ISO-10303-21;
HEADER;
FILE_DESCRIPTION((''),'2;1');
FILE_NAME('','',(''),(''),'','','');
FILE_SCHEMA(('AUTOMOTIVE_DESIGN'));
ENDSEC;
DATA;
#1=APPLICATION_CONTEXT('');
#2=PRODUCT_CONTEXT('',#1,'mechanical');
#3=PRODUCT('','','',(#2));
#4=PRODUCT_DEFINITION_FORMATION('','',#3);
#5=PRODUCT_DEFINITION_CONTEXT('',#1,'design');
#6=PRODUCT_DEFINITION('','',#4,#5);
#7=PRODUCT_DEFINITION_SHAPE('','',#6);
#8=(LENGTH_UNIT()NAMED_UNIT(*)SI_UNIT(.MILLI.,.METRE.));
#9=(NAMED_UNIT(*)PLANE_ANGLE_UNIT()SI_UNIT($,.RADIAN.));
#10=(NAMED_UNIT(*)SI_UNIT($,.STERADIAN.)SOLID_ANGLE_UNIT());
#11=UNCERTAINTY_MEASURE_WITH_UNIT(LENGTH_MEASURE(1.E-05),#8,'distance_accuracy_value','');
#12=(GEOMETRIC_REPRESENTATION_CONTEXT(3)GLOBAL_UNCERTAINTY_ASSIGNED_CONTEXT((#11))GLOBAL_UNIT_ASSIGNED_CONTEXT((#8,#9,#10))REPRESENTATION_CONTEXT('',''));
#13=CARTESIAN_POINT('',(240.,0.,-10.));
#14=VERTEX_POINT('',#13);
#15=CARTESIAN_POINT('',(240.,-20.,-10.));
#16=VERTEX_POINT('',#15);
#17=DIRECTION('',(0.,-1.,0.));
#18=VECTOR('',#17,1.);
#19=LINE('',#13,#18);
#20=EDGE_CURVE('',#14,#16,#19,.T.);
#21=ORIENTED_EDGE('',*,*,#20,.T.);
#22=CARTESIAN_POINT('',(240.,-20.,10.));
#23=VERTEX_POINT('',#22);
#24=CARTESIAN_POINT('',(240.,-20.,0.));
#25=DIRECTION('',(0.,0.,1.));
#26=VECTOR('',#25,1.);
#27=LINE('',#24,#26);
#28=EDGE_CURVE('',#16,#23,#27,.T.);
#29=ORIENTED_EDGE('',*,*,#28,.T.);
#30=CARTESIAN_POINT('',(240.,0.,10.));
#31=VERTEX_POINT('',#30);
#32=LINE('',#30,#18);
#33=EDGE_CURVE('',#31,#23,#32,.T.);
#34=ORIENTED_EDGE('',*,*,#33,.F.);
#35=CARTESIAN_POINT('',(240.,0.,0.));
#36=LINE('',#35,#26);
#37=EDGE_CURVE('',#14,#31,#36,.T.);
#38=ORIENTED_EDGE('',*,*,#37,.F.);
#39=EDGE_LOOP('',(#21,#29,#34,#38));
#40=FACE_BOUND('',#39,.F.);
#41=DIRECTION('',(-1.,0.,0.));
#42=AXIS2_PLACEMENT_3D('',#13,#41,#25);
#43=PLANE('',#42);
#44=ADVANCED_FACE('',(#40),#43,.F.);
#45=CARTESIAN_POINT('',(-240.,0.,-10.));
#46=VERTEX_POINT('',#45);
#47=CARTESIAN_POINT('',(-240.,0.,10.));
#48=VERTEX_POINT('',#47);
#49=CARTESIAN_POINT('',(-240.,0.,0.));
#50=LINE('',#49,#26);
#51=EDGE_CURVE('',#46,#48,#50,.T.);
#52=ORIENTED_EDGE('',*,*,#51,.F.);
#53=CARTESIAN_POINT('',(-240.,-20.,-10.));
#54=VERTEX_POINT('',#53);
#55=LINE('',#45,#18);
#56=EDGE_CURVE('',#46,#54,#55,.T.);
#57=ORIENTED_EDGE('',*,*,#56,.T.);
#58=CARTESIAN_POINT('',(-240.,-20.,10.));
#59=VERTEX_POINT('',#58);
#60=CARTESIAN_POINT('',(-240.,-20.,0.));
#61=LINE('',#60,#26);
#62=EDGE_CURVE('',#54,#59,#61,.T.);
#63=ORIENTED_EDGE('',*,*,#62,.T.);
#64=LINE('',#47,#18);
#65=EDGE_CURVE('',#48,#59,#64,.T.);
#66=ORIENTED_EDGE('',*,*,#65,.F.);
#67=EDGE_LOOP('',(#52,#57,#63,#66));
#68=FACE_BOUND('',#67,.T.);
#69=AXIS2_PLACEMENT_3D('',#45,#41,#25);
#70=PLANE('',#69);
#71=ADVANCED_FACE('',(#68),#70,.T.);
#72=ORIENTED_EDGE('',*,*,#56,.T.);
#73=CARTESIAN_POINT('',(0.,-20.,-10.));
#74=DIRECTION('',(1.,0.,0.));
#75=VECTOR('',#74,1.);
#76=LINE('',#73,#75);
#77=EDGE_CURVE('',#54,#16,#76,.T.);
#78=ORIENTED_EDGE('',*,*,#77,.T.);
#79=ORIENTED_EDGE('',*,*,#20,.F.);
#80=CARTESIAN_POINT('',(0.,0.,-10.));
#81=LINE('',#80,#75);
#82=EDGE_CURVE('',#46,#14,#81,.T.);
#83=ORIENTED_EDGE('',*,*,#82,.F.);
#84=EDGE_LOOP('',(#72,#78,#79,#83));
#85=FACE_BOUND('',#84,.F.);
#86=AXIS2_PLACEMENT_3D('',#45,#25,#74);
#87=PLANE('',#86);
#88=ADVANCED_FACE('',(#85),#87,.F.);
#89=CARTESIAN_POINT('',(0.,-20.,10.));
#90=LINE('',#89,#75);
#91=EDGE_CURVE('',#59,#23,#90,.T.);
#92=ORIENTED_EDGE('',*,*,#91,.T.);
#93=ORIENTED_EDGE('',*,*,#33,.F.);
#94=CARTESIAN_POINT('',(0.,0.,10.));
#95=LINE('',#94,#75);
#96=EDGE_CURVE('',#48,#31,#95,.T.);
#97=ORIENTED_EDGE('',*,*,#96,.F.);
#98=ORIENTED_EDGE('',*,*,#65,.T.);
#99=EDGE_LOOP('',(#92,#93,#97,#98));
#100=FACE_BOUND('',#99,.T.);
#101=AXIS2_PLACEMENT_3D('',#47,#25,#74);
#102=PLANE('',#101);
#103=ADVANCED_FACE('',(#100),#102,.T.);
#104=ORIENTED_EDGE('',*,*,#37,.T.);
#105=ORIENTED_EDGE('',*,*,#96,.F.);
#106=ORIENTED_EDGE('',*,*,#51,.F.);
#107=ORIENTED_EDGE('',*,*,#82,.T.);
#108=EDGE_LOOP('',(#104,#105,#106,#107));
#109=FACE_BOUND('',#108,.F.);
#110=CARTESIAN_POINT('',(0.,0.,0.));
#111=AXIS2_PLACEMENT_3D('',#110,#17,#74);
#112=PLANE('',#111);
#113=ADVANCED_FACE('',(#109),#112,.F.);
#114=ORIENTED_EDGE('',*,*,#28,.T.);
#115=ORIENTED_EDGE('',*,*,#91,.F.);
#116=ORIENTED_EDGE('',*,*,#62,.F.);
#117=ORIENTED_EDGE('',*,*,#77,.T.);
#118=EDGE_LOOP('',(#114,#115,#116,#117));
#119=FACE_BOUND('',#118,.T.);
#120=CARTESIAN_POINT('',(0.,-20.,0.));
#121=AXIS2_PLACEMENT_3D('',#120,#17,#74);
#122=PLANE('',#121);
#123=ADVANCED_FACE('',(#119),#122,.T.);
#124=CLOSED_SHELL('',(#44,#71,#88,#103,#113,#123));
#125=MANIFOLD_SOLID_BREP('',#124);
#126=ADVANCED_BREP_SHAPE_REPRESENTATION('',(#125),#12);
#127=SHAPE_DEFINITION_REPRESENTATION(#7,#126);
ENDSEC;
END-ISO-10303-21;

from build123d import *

# Parameters (mm, degrees)
SKETCH_W  = 480
SKETCH_H  = 20
PAD_DEPTH = 20


with BuildPart() as part:
    # Sketch → Pad (new body)
    with BuildSketch(Plane.XZ):
        Rectangle(SKETCH_W, SKETCH_H)
    extrude(amount=PAD_DEPTH)


solid = part.part
